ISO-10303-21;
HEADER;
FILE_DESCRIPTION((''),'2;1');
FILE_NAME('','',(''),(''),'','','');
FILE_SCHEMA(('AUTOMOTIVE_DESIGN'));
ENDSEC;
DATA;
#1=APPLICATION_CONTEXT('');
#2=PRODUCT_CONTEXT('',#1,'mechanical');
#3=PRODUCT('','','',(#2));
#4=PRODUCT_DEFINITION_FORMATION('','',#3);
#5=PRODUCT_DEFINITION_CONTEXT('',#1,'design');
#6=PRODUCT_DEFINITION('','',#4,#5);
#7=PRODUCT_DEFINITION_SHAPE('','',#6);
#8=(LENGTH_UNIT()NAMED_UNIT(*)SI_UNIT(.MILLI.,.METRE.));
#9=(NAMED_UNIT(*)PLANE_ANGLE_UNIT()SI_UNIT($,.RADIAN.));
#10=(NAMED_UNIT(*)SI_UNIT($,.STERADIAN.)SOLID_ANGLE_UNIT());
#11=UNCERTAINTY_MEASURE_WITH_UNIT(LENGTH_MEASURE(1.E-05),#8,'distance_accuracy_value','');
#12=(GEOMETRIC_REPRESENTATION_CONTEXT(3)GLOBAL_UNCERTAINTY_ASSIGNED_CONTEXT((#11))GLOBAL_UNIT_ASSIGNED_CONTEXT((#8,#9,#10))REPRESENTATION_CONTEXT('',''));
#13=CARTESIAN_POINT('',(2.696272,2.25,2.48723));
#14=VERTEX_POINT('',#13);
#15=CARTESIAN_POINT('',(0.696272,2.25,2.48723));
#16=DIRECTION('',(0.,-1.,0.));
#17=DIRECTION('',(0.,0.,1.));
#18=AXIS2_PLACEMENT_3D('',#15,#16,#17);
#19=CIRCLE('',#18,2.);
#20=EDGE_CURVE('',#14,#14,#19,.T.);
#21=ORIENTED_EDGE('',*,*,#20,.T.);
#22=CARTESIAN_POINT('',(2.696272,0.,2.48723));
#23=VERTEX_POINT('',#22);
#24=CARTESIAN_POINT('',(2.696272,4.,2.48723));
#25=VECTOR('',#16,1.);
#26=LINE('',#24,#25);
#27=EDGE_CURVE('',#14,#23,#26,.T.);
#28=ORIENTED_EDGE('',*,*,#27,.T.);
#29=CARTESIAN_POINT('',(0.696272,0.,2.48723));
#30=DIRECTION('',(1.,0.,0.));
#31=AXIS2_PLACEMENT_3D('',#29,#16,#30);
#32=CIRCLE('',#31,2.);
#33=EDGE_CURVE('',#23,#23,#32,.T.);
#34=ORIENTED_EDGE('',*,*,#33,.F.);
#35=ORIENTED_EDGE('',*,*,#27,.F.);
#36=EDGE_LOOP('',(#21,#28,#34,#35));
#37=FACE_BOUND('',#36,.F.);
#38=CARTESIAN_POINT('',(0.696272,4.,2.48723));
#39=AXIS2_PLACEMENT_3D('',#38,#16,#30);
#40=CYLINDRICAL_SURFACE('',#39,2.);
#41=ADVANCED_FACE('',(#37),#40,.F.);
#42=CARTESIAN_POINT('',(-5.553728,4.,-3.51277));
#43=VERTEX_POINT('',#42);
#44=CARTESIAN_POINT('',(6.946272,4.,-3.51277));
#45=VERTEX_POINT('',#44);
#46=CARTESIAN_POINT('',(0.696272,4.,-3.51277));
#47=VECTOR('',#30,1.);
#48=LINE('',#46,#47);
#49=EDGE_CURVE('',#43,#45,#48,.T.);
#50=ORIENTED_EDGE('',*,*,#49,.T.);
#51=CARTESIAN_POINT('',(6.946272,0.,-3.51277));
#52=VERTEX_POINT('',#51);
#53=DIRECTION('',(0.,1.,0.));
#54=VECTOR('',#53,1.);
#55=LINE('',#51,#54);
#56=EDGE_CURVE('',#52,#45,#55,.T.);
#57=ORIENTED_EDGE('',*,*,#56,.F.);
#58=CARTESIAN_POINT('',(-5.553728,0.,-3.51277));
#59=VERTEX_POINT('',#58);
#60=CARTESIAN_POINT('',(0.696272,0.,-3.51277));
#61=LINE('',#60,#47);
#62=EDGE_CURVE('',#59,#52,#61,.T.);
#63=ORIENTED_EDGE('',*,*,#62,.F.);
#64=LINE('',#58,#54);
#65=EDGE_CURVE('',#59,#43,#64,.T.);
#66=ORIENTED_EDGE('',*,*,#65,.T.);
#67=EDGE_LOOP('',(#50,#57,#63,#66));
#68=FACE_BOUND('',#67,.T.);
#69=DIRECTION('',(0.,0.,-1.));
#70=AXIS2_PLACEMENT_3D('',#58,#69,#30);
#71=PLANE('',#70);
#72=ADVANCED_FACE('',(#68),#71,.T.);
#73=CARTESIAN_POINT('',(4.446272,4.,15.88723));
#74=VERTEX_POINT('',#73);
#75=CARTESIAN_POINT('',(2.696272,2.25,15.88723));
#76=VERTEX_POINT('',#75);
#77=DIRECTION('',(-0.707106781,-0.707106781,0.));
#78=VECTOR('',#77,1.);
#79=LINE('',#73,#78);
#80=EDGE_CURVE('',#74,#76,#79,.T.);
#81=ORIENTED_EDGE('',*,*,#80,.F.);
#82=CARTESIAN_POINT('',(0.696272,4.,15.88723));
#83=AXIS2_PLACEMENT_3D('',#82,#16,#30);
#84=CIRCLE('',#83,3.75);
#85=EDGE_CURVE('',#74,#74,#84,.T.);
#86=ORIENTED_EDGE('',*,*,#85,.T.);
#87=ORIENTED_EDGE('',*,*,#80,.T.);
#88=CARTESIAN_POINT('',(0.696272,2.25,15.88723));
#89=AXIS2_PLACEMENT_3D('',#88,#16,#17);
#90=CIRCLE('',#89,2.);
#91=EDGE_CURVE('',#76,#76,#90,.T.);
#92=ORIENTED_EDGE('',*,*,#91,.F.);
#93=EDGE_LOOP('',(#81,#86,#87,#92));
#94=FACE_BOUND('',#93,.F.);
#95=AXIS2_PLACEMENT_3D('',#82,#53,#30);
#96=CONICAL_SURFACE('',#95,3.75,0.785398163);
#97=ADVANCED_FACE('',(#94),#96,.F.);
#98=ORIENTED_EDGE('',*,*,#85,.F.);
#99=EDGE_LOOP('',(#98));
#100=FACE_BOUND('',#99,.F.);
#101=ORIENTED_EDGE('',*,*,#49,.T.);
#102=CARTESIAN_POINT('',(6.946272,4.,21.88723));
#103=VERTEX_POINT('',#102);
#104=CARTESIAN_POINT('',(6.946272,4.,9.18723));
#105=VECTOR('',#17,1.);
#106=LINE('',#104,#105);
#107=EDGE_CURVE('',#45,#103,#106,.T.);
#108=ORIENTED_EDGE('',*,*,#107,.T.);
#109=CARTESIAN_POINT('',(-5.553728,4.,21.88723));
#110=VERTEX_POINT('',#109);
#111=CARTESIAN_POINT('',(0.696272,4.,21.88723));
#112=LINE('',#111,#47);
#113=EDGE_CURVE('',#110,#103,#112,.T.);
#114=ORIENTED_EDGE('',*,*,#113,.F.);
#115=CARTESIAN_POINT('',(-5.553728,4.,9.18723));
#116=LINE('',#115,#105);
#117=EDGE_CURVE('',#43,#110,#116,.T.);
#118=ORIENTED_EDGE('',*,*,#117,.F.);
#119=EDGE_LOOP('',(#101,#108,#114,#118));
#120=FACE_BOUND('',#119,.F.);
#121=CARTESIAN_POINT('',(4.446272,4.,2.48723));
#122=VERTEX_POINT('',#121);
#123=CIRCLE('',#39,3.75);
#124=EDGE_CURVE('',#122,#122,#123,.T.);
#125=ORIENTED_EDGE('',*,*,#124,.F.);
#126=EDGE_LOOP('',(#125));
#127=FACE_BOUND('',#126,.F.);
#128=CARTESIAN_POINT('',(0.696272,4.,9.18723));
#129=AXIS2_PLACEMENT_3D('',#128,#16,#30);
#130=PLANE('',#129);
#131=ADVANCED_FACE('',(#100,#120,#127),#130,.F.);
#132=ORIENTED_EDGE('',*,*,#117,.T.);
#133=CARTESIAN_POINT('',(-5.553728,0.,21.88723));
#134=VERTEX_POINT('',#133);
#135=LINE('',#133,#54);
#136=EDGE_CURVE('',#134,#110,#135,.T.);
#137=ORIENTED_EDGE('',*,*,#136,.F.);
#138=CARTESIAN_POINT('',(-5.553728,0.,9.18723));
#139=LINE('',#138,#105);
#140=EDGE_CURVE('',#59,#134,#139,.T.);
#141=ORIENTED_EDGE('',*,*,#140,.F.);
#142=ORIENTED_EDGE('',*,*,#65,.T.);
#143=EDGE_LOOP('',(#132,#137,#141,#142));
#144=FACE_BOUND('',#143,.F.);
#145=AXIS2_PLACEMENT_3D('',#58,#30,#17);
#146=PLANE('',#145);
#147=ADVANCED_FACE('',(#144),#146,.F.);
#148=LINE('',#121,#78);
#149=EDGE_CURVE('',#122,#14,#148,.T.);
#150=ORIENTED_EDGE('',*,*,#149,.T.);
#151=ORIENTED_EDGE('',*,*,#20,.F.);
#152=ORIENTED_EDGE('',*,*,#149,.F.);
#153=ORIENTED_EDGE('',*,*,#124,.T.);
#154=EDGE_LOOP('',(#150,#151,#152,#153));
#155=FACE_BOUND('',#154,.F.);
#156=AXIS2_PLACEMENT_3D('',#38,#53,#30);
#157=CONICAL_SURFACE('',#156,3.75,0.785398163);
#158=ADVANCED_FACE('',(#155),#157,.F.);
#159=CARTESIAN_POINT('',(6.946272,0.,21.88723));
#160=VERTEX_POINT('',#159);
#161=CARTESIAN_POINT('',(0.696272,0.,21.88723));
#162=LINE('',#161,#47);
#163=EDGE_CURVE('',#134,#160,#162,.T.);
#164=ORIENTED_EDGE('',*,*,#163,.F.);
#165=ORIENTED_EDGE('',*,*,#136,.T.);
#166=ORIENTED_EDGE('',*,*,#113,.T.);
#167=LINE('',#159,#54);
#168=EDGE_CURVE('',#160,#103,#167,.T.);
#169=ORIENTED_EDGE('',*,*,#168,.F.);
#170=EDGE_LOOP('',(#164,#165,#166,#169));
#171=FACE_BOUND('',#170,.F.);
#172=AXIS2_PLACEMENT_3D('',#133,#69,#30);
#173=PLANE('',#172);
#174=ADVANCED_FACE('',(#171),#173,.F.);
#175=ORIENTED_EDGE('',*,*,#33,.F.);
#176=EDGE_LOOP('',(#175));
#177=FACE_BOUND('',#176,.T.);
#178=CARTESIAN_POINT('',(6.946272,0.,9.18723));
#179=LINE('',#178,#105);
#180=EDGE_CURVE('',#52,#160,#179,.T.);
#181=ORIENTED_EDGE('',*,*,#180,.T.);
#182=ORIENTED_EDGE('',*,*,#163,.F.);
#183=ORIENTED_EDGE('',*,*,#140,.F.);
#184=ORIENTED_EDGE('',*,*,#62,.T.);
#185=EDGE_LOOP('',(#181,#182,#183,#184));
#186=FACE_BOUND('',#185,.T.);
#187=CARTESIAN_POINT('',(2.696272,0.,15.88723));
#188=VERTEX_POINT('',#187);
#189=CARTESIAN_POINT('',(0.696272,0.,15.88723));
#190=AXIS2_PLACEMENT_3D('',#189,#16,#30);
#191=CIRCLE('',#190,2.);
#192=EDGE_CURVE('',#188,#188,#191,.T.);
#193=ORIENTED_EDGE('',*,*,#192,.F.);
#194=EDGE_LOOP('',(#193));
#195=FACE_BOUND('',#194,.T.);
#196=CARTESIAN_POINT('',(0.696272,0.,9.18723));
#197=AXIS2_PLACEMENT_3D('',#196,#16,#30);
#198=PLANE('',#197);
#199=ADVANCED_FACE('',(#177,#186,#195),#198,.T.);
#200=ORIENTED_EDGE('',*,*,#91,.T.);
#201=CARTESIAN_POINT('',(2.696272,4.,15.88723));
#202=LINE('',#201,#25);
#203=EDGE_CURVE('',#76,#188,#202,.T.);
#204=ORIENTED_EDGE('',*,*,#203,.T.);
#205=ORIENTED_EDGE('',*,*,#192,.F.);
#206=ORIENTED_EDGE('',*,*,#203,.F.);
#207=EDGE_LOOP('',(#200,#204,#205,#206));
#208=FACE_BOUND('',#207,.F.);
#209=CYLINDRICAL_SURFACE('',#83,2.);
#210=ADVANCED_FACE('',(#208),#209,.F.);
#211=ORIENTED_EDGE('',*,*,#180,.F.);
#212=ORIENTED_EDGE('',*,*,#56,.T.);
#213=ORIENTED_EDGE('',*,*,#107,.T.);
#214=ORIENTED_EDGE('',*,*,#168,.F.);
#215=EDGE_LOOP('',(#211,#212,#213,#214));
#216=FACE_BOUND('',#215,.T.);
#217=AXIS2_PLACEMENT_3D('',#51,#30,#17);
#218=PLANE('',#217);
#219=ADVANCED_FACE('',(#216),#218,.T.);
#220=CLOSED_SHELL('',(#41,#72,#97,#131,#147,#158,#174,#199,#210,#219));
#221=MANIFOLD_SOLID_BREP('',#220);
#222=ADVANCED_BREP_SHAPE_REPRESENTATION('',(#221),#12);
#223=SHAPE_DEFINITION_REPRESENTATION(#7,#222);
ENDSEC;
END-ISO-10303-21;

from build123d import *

# Parameters (mm, degrees)
F0_W           = 12.5
F0_H           = 25.4
F1_DEPTH       = 4
F3_D           = 4
F3_CSINK_D     = 7.5
F3_CSINK_ANGLE = 90


with BuildPart() as f1:
    # F0 (on Front) → F1 (new body)
    with BuildSketch(Plane.XZ):
        with Locations((0.696272, 9.18723)):
            Rectangle(F0_W, F0_H)
    extrude(amount=-F1_DEPTH)

    # F3 (through all)
    with Locations(Plane(origin=(0, 4, 0), x_dir=(-1, 0, 0), z_dir=(0, 1, 0))):
        with Locations((-0.696272, 15.88723), (-0.696272, 2.48723)):
            CounterSinkHole(F3_D / 2, F3_CSINK_D / 2, counter_sink_angle=F3_CSINK_ANGLE)


solid = f1.part
